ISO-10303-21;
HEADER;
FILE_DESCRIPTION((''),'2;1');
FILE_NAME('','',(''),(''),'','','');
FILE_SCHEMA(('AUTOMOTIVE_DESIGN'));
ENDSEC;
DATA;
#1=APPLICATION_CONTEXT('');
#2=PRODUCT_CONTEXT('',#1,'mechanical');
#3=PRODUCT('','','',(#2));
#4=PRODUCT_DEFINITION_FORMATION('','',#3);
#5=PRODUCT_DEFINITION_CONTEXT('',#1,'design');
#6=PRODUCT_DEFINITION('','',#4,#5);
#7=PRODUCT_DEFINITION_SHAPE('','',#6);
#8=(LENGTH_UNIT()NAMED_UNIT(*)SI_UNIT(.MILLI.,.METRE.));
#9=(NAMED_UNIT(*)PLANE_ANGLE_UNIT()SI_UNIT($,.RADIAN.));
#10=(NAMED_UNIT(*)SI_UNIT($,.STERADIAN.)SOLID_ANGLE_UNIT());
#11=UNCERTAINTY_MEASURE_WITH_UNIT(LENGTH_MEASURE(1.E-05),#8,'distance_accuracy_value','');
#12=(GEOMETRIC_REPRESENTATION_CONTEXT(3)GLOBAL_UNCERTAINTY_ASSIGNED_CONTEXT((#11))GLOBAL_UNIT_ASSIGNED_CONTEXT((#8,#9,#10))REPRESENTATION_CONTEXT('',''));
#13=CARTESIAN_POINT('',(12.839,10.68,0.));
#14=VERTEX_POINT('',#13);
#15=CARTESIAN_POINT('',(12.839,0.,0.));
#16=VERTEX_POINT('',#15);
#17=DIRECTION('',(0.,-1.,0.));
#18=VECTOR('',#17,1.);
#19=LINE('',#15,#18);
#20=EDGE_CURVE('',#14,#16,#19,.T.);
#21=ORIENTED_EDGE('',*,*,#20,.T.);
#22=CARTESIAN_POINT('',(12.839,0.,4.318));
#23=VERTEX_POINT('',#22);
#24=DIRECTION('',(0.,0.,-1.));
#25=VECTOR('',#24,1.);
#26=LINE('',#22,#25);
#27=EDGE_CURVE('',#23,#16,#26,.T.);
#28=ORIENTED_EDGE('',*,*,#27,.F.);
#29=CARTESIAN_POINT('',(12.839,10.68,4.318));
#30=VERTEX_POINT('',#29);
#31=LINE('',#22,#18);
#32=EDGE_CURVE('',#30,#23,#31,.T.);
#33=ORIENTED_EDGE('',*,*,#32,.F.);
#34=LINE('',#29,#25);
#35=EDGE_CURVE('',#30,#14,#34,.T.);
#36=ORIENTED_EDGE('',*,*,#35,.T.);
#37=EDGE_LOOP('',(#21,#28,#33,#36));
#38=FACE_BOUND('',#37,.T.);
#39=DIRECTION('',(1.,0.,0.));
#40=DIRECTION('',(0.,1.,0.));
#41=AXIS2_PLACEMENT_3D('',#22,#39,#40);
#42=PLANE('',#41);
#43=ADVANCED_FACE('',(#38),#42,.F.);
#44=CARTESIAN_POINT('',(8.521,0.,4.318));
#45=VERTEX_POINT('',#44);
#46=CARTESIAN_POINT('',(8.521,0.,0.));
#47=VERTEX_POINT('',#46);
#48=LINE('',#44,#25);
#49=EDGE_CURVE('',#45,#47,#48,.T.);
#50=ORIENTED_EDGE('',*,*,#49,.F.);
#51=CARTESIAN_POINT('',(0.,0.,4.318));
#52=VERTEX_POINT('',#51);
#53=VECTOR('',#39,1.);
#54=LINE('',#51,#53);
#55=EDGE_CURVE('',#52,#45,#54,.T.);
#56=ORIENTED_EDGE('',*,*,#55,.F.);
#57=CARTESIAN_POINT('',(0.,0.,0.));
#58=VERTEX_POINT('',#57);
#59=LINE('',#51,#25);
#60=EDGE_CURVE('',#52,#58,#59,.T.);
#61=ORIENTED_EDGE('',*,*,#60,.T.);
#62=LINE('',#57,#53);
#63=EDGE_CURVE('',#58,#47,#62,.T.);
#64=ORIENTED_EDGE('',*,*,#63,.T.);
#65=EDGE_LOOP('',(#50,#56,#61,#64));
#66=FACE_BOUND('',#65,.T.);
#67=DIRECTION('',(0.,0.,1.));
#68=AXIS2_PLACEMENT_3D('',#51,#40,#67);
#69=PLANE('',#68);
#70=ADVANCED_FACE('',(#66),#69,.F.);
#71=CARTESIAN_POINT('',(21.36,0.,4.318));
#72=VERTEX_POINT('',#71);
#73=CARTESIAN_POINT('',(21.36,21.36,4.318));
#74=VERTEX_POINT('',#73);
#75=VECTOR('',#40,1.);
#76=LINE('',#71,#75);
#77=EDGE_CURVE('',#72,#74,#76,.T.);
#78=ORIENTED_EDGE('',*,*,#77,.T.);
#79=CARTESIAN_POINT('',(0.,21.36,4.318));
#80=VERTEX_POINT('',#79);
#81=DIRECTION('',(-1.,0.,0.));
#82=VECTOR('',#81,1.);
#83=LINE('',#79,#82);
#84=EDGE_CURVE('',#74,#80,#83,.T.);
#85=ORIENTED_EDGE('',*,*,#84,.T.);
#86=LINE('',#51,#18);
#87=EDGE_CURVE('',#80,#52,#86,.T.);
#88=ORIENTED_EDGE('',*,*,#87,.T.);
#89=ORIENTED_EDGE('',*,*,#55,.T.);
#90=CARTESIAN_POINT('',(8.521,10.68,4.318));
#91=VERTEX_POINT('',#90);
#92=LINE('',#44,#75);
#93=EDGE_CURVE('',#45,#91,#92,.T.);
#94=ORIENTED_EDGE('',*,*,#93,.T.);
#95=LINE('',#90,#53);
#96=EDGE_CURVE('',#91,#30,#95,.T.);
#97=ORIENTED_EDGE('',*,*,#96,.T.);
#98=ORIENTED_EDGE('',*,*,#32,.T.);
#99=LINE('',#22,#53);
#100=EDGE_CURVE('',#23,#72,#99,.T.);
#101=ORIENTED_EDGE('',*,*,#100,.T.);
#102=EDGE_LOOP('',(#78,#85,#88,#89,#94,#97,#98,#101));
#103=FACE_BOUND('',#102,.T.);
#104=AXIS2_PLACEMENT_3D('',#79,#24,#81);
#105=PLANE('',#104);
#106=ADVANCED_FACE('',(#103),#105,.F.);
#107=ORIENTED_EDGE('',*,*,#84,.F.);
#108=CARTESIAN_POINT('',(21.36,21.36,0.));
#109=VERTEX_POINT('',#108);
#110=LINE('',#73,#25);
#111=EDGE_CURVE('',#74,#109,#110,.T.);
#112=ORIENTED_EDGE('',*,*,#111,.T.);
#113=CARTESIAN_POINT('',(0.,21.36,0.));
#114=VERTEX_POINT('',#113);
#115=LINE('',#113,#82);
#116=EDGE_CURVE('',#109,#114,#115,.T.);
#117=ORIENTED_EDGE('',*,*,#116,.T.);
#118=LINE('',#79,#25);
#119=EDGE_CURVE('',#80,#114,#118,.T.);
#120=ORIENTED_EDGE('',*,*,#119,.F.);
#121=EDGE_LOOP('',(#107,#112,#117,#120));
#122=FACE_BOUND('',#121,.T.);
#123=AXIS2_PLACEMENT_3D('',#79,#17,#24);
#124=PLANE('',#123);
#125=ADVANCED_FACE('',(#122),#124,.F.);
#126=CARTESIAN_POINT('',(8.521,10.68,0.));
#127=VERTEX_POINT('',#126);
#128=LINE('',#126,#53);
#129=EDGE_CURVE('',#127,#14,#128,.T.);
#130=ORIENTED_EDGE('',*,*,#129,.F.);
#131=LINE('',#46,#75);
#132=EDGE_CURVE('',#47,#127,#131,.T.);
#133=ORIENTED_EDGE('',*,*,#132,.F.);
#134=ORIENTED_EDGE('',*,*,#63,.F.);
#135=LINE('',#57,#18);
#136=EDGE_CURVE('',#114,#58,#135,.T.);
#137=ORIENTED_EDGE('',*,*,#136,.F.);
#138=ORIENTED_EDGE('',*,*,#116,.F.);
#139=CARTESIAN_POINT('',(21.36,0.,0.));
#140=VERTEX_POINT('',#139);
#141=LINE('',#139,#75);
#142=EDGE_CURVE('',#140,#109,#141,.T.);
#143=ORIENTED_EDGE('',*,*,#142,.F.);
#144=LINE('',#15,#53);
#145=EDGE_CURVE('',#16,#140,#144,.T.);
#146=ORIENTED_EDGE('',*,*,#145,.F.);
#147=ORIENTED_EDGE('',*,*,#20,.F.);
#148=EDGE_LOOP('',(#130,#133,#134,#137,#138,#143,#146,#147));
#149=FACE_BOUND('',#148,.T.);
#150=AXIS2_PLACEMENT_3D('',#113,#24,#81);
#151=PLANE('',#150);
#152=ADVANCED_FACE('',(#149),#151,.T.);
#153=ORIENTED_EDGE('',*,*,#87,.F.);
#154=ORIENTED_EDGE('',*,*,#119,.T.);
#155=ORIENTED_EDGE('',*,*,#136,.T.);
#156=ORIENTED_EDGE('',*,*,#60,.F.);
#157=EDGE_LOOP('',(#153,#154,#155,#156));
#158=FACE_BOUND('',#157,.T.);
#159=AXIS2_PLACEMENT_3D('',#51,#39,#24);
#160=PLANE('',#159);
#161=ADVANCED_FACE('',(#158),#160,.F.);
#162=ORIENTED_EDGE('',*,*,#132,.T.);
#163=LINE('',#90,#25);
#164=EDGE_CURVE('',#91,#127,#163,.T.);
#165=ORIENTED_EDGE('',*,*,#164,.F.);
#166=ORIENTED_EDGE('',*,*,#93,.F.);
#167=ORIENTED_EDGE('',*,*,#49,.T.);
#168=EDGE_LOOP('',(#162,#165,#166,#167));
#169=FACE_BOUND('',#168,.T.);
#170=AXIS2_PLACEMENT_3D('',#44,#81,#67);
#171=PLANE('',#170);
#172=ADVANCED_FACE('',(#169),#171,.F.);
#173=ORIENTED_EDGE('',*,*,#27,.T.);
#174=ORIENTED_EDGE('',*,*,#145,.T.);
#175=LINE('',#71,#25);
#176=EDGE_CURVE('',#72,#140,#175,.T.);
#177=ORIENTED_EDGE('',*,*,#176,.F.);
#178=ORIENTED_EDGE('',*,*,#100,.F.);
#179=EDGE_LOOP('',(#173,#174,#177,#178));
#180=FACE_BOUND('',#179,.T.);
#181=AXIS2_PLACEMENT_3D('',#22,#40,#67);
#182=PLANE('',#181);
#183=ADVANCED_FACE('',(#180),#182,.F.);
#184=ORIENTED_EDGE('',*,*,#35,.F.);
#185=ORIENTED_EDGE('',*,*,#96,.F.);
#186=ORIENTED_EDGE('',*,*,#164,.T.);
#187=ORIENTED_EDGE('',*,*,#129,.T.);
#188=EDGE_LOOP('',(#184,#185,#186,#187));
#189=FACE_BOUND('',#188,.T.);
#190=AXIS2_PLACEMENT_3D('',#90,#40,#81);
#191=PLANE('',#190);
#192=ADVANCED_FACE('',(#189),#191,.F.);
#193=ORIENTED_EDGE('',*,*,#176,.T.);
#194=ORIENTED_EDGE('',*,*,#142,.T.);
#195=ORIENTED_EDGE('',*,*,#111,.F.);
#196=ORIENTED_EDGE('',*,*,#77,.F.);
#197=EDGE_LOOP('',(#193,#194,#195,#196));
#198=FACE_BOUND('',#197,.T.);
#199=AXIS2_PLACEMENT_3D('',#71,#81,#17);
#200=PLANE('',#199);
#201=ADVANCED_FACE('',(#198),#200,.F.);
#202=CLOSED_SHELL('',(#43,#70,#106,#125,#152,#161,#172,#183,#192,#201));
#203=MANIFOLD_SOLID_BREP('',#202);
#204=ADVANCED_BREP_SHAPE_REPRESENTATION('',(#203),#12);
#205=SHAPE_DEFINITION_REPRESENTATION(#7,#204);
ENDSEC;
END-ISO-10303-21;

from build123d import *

# Parameters (mm, degrees)
BOSS_EXTRUDE1_DEPTH = 4.318


with BuildPart() as part:
    # Sketch1 → Boss-Extrude1 (new body)
    with BuildSketch(Plane.XY):
        Polygon((0, 0), (8.521, 0), (8.521, 10.68), (12.839, 10.68), (12.839, 0), (21.36, 0), (21.36, 21.36), (0, 21.36), align=None)
    extrude(amount=BOSS_EXTRUDE1_DEPTH)


solid = part.part
